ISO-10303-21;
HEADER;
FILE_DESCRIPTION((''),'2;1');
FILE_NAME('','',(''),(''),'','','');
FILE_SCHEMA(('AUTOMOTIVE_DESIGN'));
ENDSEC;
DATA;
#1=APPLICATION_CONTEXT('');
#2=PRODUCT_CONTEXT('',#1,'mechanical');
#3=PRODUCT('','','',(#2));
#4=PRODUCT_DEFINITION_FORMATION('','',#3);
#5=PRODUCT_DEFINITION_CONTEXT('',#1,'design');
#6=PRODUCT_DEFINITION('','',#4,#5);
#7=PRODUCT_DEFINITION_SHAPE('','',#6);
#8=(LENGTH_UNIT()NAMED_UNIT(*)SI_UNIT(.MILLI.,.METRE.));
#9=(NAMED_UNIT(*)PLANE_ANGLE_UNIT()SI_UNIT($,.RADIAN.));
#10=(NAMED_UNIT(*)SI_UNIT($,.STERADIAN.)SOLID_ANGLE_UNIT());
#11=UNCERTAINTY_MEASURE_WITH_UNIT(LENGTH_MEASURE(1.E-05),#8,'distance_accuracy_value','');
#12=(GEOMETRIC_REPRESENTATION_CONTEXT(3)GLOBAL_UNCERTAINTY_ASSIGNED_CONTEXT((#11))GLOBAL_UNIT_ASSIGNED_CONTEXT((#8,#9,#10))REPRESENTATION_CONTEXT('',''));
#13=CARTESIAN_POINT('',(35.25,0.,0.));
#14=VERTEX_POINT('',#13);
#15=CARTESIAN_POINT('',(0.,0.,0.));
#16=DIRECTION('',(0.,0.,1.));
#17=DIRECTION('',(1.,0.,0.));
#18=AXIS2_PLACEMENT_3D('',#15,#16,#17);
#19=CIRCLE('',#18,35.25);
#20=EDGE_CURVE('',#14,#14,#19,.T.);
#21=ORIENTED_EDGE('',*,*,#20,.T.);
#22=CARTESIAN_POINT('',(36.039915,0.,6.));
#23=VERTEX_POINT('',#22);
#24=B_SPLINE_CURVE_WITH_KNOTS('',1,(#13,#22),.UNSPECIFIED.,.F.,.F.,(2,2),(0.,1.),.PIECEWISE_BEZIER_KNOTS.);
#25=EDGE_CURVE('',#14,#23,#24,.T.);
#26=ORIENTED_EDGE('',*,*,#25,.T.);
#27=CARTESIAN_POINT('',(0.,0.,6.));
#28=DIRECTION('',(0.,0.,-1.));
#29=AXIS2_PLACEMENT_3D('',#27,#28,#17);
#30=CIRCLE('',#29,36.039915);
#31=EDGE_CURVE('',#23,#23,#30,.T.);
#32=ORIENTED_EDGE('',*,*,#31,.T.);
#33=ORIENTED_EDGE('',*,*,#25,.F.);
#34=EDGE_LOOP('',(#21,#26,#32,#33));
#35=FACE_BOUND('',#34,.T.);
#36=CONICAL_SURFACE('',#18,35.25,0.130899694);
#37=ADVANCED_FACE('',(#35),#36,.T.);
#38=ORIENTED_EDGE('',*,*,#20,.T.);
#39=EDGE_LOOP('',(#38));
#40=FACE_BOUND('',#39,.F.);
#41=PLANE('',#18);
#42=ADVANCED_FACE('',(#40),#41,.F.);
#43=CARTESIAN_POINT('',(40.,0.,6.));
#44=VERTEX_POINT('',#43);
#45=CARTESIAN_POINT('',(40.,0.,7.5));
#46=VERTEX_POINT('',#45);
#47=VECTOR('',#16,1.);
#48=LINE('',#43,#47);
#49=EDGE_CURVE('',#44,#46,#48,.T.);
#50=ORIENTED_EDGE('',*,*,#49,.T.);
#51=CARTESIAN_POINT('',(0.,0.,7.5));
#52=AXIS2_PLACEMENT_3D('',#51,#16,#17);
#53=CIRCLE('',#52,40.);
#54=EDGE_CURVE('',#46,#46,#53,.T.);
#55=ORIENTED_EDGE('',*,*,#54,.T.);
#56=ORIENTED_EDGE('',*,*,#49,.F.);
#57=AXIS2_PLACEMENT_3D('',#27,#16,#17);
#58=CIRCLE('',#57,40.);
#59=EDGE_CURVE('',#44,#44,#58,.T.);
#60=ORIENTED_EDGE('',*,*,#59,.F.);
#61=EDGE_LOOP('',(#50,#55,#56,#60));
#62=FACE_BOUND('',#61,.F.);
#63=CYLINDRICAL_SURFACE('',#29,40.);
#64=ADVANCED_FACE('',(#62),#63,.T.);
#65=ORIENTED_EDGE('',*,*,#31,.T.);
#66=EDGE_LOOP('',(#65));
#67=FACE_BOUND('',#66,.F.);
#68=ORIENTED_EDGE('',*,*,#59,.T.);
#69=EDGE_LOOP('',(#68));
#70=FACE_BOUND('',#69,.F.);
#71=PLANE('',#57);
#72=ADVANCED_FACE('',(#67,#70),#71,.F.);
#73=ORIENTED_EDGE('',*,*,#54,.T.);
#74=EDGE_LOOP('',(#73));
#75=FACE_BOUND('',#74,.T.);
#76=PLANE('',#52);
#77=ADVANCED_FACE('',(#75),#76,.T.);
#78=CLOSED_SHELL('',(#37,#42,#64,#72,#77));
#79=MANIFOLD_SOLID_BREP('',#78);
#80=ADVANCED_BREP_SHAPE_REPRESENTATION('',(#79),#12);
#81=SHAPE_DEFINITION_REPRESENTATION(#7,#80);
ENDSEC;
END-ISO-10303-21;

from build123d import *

# Parameters (mm, degrees)
F0_R     = 35.25
F1_DEPTH = 6
F1_TAPER = -7.5
F2_R     = 40
F2_R_2   = 36.0399149855
F3_DEPTH = 1.5


with BuildPart() as f1:
    # F0 (on Top) → F1 (new body)
    with BuildSketch(Plane.XY):
        Circle(F0_R)
    extrude(amount=F1_DEPTH, taper=F1_TAPER)

    # F2 (on face) → F3 (join)
    with BuildSketch(Plane.XY.offset(6)):
        Circle(F2_R)
        Circle(F2_R_2, mode=Mode.SUBTRACT)
        Circle(F2_R_2)
    extrude(amount=F3_DEPTH)


solid = f1.part
